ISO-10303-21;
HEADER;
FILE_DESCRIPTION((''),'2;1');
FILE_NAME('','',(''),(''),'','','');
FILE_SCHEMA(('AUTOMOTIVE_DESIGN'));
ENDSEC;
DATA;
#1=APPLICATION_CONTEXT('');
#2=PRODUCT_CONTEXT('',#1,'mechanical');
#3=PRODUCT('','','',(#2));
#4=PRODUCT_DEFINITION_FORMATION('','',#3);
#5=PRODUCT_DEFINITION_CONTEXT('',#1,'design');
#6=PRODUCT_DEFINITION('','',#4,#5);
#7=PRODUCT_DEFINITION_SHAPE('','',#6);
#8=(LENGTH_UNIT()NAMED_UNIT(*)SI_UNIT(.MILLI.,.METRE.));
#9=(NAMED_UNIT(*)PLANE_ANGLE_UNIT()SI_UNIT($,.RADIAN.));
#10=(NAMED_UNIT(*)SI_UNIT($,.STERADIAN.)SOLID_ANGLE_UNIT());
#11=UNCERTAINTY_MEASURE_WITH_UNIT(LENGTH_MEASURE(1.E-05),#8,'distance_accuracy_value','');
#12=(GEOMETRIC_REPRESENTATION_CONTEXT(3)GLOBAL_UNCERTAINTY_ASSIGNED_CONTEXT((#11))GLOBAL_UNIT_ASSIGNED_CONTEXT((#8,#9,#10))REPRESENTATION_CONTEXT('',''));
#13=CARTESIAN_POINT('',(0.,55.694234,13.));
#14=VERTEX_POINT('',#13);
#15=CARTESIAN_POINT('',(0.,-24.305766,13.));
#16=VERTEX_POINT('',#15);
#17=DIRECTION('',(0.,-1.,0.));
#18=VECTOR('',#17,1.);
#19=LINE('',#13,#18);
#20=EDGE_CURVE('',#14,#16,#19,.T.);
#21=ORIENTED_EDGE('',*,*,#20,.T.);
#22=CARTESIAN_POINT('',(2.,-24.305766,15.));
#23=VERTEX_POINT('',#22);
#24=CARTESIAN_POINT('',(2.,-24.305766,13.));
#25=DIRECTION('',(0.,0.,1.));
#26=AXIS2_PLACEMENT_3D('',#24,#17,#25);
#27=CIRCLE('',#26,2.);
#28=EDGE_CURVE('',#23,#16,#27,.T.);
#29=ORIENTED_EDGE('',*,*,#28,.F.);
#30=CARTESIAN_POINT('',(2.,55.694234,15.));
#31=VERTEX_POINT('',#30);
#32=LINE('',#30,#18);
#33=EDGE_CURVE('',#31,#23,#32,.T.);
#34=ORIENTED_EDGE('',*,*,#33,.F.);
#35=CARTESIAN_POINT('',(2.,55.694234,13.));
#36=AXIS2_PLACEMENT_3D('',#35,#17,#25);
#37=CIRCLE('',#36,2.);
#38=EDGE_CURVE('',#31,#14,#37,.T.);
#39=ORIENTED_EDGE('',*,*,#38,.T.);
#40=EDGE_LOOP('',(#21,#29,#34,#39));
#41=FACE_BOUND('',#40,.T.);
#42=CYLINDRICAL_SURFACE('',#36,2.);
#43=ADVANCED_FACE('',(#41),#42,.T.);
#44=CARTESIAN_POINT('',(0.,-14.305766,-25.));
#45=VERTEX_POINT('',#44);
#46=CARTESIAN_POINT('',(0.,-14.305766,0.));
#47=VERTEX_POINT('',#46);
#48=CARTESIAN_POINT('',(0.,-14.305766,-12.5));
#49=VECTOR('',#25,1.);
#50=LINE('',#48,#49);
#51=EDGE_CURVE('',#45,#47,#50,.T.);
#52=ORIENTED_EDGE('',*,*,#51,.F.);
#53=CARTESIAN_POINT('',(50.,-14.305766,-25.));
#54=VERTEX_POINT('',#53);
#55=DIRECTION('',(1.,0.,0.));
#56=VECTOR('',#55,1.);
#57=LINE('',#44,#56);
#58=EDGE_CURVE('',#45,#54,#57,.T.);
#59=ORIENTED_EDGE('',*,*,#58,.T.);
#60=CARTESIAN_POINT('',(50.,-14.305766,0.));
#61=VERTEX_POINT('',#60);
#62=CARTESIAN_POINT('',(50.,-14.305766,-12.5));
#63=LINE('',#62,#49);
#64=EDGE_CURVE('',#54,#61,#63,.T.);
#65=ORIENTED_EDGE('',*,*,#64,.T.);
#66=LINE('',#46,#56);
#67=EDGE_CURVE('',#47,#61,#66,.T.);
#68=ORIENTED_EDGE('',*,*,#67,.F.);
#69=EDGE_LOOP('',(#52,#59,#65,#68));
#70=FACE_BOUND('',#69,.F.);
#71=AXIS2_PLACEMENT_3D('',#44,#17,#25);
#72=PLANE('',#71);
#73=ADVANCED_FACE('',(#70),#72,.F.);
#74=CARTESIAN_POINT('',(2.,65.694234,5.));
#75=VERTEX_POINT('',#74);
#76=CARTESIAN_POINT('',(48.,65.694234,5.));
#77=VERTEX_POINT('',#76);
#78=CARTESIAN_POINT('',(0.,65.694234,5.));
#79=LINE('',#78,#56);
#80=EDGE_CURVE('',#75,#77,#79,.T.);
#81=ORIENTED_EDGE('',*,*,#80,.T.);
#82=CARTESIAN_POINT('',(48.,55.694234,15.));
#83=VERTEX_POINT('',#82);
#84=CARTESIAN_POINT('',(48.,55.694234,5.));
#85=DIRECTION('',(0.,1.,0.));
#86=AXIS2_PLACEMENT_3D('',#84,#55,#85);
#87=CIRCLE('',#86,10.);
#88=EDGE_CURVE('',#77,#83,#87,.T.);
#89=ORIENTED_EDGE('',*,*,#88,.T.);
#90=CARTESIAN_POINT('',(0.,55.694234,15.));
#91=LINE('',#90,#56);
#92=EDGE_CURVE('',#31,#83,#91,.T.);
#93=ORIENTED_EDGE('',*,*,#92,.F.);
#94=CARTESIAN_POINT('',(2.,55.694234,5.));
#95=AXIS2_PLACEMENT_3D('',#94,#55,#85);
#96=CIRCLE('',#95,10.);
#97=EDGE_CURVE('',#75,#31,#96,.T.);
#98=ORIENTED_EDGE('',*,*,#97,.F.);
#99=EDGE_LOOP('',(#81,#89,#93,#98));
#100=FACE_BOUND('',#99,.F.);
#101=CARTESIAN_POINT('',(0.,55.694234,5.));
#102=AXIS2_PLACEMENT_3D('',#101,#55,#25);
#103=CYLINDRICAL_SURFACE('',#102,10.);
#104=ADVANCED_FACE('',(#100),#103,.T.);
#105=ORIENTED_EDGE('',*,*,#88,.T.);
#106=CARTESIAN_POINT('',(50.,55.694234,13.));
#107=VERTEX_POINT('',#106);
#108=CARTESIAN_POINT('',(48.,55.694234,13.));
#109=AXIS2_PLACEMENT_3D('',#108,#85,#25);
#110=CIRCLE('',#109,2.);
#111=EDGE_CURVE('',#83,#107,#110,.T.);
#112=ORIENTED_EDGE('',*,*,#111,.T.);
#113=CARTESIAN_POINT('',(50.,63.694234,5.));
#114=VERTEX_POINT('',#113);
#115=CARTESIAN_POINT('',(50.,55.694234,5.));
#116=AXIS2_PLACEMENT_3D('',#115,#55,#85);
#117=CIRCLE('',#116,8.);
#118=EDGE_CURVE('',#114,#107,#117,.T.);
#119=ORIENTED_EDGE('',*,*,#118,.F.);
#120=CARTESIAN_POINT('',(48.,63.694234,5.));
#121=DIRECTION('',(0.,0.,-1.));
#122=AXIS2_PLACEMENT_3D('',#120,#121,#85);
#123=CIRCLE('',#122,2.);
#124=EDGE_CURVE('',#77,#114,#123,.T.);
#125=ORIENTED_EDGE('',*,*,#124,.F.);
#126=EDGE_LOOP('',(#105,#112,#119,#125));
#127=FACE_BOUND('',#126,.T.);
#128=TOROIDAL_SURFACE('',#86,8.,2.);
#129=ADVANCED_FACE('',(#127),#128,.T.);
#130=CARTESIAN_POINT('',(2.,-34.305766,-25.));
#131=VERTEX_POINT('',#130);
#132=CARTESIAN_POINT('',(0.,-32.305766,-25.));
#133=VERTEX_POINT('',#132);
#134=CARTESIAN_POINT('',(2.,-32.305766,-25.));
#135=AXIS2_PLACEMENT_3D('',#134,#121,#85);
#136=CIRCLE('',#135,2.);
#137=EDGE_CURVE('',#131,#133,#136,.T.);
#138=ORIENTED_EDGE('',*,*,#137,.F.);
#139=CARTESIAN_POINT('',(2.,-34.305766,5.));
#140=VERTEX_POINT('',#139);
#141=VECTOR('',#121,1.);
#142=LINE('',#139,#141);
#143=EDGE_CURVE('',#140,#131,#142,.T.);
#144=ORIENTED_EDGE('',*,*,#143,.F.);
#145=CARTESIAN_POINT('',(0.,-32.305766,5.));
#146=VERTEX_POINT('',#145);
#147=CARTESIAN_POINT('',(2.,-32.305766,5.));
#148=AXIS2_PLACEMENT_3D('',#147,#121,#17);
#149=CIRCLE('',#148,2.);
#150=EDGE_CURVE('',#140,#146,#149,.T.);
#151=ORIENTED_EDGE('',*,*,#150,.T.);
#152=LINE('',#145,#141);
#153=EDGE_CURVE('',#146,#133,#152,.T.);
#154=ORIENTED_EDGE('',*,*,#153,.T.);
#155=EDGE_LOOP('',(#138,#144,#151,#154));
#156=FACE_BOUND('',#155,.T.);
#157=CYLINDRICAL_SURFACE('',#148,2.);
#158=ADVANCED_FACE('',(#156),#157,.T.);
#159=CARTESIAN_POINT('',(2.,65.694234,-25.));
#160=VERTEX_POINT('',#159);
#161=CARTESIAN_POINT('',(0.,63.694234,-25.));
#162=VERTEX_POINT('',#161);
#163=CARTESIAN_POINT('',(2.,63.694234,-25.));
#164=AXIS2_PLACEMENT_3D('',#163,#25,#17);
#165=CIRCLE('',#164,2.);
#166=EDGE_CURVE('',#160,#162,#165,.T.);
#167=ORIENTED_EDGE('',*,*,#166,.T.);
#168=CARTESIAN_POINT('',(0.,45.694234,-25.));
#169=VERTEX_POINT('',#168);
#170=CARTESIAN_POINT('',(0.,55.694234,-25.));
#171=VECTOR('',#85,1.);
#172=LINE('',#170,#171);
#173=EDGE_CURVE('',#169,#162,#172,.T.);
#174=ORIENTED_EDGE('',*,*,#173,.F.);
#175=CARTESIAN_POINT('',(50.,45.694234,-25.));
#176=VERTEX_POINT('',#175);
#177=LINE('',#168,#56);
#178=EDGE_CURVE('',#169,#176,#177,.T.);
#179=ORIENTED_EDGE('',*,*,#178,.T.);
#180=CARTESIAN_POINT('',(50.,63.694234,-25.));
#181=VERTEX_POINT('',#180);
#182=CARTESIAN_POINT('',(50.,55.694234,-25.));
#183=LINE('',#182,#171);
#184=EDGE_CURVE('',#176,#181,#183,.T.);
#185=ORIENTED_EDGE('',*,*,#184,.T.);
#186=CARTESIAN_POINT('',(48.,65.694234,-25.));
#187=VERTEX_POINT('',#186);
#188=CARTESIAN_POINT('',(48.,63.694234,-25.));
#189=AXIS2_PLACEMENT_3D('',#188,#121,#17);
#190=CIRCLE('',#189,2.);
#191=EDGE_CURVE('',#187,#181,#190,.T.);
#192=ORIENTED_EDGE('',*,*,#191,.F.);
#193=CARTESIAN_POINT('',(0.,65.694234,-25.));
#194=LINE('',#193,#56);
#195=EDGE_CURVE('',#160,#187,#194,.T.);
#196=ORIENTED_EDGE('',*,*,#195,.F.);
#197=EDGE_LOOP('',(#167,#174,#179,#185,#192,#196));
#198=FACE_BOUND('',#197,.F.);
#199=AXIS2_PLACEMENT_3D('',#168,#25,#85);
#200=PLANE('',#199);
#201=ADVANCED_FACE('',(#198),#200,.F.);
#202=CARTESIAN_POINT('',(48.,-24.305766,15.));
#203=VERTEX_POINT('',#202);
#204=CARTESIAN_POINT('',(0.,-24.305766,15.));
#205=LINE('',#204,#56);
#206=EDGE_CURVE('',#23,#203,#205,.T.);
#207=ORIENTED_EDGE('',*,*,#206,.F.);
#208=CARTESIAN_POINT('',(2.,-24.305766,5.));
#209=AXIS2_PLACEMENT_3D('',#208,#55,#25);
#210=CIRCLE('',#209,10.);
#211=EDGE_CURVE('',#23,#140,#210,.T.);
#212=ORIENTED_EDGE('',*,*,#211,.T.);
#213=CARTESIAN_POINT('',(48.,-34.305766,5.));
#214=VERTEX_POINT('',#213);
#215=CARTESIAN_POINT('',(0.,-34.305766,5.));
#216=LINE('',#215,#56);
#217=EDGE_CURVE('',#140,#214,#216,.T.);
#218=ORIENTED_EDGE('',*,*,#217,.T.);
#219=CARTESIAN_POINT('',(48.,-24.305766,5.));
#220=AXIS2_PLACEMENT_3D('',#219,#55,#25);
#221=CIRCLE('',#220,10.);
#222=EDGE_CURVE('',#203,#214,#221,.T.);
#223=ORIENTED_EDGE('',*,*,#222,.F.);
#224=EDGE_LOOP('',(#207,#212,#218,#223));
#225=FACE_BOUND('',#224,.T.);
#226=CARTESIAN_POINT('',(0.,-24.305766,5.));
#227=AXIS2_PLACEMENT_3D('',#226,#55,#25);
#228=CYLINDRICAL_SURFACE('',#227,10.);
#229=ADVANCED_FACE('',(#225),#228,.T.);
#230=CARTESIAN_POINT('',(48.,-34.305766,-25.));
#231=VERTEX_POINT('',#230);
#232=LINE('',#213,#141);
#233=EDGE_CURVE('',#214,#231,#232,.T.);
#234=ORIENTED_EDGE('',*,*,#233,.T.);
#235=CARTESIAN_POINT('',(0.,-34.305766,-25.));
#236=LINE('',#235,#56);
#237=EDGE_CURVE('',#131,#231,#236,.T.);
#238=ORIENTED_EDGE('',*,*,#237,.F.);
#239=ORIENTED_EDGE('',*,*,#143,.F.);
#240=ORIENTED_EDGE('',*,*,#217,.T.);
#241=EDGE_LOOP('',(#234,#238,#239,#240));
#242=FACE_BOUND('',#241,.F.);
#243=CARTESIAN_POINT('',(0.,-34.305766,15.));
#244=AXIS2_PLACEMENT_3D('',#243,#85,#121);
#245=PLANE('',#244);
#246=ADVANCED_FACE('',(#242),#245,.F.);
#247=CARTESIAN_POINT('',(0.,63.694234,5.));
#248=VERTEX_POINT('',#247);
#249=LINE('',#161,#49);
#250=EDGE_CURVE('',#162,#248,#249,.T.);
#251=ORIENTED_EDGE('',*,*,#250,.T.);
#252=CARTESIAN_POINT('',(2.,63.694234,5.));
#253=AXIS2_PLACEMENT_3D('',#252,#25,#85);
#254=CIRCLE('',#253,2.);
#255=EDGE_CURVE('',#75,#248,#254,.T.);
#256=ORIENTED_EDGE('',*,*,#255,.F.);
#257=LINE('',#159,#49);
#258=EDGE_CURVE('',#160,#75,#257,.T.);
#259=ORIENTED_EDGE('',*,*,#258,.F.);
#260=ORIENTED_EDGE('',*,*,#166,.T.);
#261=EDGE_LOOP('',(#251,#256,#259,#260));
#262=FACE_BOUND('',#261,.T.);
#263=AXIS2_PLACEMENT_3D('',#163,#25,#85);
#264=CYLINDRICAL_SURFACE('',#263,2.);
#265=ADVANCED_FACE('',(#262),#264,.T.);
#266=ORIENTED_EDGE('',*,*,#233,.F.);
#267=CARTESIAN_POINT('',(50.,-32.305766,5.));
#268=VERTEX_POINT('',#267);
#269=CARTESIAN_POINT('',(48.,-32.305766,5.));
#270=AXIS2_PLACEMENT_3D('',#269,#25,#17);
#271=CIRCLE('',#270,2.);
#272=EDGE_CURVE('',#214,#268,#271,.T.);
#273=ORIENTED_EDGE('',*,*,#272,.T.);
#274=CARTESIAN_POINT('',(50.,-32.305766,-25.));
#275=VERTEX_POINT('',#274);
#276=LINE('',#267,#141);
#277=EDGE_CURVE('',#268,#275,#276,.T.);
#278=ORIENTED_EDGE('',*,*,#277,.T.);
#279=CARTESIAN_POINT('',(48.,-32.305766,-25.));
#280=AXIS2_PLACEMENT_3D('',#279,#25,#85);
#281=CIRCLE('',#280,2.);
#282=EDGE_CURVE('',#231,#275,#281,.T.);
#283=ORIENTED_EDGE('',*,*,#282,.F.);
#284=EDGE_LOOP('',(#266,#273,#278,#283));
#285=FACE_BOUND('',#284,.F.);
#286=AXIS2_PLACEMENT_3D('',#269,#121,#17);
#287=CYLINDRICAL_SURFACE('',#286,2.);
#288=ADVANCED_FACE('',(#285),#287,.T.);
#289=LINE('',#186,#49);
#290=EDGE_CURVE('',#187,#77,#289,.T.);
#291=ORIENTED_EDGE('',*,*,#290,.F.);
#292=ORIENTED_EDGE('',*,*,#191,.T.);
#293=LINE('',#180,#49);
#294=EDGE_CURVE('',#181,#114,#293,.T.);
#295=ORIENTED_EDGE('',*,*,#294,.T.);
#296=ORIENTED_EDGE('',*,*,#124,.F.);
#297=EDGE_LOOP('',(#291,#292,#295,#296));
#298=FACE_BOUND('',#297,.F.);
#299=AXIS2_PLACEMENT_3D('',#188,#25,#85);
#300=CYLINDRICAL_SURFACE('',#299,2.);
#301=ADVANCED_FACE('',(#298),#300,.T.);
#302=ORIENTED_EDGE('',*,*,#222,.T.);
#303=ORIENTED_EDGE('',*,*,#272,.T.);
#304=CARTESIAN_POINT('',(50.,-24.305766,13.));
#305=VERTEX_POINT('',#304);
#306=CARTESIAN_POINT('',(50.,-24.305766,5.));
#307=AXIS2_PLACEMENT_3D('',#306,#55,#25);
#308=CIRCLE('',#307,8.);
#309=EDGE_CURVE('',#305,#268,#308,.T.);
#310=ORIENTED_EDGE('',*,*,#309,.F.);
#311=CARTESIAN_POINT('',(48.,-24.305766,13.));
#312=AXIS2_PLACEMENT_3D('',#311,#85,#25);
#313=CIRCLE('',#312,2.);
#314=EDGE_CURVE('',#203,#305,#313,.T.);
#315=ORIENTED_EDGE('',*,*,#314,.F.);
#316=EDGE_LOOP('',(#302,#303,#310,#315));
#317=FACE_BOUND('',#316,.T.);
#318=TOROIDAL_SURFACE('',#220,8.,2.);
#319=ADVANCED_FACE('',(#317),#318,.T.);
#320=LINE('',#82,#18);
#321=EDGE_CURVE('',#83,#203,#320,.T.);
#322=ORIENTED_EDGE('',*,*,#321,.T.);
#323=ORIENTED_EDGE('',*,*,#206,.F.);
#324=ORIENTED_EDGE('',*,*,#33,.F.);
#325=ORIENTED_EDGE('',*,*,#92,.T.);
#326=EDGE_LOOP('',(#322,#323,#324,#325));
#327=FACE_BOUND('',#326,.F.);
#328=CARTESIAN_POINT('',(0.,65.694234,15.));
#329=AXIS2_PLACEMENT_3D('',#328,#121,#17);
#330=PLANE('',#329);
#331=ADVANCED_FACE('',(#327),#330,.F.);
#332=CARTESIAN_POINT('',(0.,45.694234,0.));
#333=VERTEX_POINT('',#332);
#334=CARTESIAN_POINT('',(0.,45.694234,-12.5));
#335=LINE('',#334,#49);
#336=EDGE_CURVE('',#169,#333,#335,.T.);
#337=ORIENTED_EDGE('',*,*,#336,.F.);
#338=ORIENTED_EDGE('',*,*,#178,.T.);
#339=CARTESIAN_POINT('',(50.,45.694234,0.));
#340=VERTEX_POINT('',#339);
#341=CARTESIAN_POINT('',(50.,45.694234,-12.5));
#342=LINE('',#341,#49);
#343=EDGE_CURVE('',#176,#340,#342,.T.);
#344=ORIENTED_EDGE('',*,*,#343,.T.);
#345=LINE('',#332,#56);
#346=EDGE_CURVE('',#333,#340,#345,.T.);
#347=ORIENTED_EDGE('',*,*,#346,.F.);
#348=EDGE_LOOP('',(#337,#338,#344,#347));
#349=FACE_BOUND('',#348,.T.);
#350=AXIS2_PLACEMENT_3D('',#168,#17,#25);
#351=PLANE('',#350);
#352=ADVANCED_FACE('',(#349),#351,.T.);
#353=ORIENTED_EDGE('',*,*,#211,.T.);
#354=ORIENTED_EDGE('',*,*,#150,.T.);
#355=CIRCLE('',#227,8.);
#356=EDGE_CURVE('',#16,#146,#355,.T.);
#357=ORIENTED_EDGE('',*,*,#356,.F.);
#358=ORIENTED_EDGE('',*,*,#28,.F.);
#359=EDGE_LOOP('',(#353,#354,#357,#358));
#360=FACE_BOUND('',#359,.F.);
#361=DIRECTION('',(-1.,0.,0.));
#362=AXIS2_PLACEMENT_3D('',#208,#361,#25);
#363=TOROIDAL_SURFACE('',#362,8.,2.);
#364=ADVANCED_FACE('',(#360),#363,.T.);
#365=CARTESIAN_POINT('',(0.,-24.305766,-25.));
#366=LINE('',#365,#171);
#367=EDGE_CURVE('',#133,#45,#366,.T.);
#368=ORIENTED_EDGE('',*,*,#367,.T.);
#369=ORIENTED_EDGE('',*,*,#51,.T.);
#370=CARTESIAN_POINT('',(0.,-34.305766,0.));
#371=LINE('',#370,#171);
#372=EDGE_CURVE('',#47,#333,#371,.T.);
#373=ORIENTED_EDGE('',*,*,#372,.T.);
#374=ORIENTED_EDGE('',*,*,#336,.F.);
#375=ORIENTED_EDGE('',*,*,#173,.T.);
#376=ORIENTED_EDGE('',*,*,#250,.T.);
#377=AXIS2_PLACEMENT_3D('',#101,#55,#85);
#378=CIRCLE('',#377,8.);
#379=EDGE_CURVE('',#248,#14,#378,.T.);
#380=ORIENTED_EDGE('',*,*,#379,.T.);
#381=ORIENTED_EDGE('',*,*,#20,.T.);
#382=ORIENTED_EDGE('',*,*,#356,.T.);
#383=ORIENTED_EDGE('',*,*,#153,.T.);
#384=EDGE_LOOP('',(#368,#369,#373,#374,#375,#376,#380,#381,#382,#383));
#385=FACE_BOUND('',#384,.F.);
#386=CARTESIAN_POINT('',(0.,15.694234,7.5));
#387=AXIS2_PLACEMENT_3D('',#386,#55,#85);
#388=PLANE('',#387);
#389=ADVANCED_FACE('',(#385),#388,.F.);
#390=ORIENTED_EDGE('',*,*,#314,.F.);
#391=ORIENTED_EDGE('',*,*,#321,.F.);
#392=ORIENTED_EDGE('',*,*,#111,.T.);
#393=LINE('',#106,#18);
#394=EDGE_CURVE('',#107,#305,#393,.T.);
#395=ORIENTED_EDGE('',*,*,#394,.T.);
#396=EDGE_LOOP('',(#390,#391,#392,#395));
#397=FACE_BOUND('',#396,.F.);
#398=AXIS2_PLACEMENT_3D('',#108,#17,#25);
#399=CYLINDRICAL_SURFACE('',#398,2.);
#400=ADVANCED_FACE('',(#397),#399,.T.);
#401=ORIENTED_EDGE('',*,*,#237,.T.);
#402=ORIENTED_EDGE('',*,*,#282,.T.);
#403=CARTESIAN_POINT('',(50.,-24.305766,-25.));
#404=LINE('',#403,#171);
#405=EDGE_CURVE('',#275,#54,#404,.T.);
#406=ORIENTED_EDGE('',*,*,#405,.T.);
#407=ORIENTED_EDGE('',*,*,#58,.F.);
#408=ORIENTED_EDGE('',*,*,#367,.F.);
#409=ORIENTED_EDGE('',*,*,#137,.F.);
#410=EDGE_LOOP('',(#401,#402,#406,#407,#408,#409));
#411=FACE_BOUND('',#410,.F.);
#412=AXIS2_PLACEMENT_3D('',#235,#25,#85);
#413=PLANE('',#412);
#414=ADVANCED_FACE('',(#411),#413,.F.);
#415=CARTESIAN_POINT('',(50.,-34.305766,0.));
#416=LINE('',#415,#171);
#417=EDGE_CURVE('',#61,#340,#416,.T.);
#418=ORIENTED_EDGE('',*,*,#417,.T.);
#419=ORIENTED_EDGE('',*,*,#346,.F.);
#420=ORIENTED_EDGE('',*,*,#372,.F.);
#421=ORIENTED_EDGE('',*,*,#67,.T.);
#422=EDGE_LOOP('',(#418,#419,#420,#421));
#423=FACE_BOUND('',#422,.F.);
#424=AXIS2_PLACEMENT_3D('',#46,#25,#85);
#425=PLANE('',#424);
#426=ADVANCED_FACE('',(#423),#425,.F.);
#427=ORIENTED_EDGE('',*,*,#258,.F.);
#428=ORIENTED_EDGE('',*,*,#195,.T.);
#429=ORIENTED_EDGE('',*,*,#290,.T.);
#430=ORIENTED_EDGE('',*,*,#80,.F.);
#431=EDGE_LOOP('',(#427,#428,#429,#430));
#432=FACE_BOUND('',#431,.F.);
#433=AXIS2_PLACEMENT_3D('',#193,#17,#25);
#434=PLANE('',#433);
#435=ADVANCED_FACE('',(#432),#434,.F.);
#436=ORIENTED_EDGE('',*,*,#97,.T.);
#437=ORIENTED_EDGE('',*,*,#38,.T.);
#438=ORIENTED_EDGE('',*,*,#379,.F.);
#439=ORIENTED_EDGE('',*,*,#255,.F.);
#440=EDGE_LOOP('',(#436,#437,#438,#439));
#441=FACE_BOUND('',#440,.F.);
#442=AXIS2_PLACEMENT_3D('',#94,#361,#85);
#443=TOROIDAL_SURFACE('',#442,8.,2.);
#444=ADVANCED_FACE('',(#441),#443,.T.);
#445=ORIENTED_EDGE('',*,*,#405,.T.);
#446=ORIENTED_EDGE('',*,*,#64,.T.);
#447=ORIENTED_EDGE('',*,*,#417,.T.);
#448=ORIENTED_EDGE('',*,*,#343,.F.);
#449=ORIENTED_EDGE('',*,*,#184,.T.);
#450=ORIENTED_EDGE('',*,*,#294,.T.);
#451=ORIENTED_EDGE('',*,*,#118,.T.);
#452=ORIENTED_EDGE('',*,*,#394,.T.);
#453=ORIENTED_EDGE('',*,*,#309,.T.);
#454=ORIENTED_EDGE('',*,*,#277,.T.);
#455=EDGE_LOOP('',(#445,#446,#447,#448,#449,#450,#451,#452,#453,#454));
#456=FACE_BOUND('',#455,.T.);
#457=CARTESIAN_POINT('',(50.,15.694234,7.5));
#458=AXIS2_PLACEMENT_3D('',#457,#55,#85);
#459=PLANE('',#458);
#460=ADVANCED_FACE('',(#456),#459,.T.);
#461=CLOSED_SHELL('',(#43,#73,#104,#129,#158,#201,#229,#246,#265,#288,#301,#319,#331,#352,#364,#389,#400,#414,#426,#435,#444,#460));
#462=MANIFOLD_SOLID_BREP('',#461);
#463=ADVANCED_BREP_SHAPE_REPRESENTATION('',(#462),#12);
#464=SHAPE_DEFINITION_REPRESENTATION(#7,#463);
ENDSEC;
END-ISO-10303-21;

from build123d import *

# Parameters (mm, degrees)
F0_W     = 20
F0_H     = 25
F1_DEPTH = 50
F2_R     = 10
F3_R     = 2


with BuildPart() as f1:
    # F0 (on Right) → F1 (new body)
    with BuildSketch(Plane.YZ):
        Polygon((65.694234, 15), (-34.305766, 15), (-34.305766, 0), (-14.305766, 0), (45.694234, 0), (65.694234, 0), align=None)
        with Locations((-24.305766, -12.5)):
            Rectangle(F0_W, F0_H)
        with Locations((55.694234, -12.5)):
            Rectangle(F0_W, F0_H)
    extrude(amount=F1_DEPTH)

    # F2
    f2_edges = [f1.edges().sort_by_distance(p)[0] for p in [
        (25, -34.305766, 15),
        (25, 65.694234, 15),
    ]]
    fillet(f2_edges, radius=F2_R)

    # F3
    f3_edges = [f1.edges().sort_by_distance(p)[0] for p in [
        (50, 15.694234, 15),
        (0, 15.694234, 15),
    ]]
    fillet(f3_edges, radius=F3_R)


solid = f1.part
